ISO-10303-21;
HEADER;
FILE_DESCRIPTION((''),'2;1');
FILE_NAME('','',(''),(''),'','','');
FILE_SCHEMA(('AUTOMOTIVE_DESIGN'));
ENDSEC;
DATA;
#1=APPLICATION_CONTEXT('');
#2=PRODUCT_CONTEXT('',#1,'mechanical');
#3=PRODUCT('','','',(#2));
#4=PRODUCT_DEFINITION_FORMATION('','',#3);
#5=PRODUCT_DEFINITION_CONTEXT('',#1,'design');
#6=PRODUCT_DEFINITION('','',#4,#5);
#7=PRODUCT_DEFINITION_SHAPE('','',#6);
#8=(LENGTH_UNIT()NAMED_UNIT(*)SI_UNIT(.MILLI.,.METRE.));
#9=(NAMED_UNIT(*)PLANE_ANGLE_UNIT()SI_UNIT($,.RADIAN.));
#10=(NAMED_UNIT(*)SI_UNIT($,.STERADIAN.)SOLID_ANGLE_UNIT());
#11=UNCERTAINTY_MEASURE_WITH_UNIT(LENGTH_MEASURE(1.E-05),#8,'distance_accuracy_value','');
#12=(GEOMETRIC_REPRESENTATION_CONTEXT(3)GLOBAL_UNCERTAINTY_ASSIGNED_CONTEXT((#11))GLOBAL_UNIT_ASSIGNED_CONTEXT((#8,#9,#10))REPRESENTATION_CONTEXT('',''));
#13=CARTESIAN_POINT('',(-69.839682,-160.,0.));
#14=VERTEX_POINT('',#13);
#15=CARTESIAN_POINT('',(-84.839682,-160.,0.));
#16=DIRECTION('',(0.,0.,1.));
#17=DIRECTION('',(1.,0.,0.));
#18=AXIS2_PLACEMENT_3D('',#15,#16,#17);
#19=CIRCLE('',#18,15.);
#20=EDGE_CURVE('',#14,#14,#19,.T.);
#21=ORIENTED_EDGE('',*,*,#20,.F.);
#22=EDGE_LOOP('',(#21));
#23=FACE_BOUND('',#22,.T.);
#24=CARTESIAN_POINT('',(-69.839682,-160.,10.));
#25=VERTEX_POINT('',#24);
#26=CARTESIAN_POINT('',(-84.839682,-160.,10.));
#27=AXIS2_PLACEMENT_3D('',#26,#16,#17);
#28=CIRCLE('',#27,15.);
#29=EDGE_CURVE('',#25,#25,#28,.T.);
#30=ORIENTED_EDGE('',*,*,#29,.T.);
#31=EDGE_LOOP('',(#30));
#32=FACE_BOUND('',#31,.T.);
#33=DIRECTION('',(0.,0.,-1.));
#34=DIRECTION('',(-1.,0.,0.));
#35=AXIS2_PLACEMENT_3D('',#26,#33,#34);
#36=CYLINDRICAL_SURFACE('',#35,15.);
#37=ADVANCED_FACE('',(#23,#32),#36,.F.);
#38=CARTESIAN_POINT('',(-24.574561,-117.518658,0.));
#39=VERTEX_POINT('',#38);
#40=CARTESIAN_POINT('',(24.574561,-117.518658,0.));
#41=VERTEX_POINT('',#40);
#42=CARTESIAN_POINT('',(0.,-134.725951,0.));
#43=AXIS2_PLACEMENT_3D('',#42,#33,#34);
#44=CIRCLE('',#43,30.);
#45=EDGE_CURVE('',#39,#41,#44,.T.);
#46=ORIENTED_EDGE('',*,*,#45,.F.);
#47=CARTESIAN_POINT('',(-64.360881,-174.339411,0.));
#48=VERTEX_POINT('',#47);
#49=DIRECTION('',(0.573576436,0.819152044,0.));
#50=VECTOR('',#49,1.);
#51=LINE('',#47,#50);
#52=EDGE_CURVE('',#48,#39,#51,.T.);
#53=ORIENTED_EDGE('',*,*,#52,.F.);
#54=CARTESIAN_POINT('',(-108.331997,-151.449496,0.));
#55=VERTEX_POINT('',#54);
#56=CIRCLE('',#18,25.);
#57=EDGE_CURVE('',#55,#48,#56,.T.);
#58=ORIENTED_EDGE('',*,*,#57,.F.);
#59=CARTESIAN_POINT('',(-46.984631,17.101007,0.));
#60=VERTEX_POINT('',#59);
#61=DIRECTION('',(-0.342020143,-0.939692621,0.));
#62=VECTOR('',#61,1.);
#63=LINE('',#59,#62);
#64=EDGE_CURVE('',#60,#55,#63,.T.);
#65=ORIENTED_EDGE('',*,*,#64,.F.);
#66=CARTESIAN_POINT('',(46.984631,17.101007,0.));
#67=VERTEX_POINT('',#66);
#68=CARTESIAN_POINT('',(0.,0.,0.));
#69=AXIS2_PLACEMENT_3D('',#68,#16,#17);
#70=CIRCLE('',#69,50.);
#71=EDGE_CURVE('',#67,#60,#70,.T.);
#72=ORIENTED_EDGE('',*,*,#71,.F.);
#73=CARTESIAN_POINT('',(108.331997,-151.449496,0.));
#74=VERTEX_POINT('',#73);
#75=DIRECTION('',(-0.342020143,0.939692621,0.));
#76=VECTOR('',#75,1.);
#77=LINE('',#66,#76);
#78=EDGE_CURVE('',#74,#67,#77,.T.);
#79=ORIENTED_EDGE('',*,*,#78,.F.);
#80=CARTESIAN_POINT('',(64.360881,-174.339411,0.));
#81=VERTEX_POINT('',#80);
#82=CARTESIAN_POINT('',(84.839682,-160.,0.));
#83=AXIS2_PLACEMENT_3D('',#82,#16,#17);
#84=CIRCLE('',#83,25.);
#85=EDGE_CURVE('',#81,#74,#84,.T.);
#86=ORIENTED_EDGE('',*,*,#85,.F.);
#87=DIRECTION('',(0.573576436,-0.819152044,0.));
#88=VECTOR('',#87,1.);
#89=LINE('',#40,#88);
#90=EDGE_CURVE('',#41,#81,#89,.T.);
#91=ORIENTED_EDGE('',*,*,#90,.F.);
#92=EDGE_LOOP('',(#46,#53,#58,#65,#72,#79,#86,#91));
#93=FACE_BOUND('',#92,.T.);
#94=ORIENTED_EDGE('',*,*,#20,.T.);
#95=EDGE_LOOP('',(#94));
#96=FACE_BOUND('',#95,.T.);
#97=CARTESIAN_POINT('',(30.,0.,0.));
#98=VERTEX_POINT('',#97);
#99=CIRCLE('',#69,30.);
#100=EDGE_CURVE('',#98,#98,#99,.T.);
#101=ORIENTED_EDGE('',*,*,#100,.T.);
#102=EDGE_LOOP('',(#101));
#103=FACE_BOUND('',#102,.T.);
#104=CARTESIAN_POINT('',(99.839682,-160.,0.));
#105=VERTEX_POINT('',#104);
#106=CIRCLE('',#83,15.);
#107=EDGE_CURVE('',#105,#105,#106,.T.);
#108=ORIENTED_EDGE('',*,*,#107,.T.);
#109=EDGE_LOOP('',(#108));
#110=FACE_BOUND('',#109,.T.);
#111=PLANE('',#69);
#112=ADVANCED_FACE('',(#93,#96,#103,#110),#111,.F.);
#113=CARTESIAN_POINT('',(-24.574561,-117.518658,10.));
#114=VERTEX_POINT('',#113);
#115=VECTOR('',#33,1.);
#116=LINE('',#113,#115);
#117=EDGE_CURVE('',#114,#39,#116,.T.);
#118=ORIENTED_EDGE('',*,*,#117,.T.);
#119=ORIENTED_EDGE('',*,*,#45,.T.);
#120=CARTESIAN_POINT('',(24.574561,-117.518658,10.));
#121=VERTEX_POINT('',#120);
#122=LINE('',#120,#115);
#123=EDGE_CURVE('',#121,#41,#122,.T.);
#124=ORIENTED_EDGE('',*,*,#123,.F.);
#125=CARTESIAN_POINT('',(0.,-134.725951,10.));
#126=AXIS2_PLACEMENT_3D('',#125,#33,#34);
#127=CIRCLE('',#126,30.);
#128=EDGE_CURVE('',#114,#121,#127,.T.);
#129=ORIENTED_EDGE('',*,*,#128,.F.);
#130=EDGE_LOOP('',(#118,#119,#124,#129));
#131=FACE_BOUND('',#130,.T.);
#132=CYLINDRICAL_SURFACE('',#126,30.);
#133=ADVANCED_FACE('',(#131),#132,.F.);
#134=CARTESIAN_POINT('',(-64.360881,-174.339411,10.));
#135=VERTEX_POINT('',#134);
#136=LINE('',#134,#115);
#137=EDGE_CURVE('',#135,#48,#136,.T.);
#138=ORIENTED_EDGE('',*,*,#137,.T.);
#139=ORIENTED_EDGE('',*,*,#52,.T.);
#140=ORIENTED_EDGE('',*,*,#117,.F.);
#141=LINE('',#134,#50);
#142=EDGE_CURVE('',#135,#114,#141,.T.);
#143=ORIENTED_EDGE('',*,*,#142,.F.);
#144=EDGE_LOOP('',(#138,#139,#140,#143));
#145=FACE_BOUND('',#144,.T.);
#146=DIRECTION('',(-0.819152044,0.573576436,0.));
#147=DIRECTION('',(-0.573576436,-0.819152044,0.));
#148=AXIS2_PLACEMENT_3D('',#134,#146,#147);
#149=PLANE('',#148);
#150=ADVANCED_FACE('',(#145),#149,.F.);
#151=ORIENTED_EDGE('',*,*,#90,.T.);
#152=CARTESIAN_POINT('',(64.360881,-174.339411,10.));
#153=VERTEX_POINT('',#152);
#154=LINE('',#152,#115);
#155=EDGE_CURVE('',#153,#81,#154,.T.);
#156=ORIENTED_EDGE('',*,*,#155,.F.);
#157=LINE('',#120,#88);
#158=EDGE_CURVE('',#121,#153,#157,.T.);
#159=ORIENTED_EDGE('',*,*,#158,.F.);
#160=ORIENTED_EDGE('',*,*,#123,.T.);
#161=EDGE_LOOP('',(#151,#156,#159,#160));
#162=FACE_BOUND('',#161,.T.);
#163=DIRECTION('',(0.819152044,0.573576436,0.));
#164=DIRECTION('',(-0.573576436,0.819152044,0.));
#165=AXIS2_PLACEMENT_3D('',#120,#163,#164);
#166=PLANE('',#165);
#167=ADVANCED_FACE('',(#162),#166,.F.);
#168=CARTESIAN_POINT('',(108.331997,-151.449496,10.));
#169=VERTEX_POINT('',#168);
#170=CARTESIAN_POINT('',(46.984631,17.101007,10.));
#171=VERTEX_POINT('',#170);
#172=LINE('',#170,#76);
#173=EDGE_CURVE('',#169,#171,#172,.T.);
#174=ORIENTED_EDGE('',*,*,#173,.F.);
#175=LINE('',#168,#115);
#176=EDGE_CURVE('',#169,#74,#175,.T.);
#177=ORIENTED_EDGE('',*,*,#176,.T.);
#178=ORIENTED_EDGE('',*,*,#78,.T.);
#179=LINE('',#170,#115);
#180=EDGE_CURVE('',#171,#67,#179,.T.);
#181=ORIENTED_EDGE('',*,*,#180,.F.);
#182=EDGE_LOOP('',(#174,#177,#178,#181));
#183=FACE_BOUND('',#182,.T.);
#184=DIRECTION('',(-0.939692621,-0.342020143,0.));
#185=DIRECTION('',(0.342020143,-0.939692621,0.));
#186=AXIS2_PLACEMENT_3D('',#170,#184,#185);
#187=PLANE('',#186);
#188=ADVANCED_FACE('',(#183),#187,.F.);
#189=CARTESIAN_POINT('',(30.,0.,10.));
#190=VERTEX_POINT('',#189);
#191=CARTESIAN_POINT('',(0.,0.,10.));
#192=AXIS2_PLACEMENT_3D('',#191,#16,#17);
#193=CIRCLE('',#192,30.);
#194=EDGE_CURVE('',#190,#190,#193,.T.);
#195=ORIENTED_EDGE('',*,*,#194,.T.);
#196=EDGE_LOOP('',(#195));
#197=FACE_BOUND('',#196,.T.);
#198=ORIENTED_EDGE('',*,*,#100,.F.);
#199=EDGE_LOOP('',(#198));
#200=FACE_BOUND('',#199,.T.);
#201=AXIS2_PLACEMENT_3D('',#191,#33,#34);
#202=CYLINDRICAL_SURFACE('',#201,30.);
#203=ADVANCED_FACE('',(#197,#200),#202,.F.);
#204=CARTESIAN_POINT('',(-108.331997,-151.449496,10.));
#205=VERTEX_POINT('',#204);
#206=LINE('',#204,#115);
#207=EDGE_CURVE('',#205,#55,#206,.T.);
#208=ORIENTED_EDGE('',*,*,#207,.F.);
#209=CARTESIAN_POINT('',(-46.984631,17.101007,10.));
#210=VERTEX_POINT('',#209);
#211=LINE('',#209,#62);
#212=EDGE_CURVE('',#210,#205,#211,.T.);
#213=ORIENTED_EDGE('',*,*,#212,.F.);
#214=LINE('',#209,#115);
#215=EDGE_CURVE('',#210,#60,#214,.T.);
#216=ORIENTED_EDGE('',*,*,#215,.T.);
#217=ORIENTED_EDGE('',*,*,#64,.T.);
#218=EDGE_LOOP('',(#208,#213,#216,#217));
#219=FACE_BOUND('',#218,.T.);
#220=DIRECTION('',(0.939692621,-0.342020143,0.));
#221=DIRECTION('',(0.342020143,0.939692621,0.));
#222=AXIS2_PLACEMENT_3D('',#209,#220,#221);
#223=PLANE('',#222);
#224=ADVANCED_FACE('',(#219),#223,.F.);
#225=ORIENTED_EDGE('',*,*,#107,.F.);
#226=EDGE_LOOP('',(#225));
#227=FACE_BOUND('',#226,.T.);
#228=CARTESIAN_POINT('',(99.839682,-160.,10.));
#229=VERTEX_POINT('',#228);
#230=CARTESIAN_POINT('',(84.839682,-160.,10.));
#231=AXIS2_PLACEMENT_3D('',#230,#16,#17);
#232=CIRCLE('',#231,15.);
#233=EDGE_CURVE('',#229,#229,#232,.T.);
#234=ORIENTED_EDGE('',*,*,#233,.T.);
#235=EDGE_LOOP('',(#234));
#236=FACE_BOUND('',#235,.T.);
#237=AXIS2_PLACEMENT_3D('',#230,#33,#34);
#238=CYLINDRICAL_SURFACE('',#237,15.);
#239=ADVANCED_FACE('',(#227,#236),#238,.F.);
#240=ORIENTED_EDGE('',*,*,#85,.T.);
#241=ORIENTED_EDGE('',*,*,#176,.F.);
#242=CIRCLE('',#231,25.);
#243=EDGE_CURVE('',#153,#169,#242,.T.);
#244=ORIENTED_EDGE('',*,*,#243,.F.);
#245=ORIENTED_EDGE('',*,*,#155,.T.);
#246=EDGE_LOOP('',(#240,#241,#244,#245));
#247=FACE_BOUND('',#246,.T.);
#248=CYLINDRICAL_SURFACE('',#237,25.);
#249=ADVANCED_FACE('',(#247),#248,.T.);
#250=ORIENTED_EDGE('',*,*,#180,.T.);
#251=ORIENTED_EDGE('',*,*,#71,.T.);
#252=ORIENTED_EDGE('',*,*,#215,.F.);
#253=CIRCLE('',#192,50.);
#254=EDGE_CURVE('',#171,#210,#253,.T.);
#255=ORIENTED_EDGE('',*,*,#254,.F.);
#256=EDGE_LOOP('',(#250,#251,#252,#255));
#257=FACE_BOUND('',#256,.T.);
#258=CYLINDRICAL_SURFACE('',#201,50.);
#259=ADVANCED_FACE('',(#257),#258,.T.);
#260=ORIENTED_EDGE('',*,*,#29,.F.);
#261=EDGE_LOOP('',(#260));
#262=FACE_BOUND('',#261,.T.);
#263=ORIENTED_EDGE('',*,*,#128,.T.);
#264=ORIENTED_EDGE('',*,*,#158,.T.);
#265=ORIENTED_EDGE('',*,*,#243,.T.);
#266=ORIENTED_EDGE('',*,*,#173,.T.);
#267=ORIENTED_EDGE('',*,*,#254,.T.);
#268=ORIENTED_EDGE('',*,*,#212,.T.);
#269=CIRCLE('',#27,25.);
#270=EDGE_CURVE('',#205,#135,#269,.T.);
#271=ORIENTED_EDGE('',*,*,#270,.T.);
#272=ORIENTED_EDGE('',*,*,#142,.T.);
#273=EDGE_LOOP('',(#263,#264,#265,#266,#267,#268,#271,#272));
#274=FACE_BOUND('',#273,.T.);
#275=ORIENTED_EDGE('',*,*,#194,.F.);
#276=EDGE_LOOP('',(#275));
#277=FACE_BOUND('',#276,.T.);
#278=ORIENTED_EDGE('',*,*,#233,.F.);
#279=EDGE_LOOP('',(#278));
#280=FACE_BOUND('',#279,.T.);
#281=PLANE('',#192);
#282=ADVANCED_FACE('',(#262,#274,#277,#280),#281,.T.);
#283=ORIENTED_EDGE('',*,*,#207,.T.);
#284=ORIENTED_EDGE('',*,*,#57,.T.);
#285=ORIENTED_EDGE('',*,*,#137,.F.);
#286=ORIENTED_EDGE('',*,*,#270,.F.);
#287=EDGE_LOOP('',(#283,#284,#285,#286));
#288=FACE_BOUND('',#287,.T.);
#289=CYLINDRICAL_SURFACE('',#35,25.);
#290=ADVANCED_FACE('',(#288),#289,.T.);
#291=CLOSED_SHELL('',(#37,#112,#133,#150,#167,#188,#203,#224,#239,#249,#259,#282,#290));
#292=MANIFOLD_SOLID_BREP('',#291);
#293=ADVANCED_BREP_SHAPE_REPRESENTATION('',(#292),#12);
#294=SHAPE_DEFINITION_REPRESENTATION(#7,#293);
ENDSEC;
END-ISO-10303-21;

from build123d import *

# Parameters (mm, degrees)
SKETCH1_R           = 30
SKETCH1_R_2         = 15
BOSS_EXTRUDE1_DEPTH = 10


with BuildPart() as part:
    # Sketch1 → Boss-Extrude1 (new body)
    with BuildSketch(Plane.XY):
        with BuildLine():
            Line((-46.984631039, 17.101007166), (-108.331997314, -151.449496417))
            ThreePointArc((-108.331997314, -151.449496417), (-96.383397125, -182.175270829), (-64.360880687, -174.339410909))
            Line((-64.360880687, -174.339410909), (-24.574561329, -117.518658221))
            ThreePointArc((-24.574561329, -117.518658221), (0, -104.725951312), (24.574561329, -117.518658221))
            Line((24.574561329, -117.518658221), (64.360880687, -174.339410909))
            ThreePointArc((64.360880687, -174.339410909), (96.383397125, -182.175270829), (108.331997314, -151.449496417))
            Line((108.331997314, -151.449496417), (46.984631039, 17.101007166))
            ThreePointArc((46.984631039, 17.101007166), (0, 50), (-46.984631039, 17.101007166))
        make_face()
        Circle(SKETCH1_R, mode=Mode.SUBTRACT)
        with Locations((-84.839681794, -160)):
            Circle(SKETCH1_R_2, mode=Mode.SUBTRACT)
        with Locations((84.839681794, -160)):
            Circle(SKETCH1_R_2, mode=Mode.SUBTRACT)
    extrude(amount=BOSS_EXTRUDE1_DEPTH)


solid = part.part
